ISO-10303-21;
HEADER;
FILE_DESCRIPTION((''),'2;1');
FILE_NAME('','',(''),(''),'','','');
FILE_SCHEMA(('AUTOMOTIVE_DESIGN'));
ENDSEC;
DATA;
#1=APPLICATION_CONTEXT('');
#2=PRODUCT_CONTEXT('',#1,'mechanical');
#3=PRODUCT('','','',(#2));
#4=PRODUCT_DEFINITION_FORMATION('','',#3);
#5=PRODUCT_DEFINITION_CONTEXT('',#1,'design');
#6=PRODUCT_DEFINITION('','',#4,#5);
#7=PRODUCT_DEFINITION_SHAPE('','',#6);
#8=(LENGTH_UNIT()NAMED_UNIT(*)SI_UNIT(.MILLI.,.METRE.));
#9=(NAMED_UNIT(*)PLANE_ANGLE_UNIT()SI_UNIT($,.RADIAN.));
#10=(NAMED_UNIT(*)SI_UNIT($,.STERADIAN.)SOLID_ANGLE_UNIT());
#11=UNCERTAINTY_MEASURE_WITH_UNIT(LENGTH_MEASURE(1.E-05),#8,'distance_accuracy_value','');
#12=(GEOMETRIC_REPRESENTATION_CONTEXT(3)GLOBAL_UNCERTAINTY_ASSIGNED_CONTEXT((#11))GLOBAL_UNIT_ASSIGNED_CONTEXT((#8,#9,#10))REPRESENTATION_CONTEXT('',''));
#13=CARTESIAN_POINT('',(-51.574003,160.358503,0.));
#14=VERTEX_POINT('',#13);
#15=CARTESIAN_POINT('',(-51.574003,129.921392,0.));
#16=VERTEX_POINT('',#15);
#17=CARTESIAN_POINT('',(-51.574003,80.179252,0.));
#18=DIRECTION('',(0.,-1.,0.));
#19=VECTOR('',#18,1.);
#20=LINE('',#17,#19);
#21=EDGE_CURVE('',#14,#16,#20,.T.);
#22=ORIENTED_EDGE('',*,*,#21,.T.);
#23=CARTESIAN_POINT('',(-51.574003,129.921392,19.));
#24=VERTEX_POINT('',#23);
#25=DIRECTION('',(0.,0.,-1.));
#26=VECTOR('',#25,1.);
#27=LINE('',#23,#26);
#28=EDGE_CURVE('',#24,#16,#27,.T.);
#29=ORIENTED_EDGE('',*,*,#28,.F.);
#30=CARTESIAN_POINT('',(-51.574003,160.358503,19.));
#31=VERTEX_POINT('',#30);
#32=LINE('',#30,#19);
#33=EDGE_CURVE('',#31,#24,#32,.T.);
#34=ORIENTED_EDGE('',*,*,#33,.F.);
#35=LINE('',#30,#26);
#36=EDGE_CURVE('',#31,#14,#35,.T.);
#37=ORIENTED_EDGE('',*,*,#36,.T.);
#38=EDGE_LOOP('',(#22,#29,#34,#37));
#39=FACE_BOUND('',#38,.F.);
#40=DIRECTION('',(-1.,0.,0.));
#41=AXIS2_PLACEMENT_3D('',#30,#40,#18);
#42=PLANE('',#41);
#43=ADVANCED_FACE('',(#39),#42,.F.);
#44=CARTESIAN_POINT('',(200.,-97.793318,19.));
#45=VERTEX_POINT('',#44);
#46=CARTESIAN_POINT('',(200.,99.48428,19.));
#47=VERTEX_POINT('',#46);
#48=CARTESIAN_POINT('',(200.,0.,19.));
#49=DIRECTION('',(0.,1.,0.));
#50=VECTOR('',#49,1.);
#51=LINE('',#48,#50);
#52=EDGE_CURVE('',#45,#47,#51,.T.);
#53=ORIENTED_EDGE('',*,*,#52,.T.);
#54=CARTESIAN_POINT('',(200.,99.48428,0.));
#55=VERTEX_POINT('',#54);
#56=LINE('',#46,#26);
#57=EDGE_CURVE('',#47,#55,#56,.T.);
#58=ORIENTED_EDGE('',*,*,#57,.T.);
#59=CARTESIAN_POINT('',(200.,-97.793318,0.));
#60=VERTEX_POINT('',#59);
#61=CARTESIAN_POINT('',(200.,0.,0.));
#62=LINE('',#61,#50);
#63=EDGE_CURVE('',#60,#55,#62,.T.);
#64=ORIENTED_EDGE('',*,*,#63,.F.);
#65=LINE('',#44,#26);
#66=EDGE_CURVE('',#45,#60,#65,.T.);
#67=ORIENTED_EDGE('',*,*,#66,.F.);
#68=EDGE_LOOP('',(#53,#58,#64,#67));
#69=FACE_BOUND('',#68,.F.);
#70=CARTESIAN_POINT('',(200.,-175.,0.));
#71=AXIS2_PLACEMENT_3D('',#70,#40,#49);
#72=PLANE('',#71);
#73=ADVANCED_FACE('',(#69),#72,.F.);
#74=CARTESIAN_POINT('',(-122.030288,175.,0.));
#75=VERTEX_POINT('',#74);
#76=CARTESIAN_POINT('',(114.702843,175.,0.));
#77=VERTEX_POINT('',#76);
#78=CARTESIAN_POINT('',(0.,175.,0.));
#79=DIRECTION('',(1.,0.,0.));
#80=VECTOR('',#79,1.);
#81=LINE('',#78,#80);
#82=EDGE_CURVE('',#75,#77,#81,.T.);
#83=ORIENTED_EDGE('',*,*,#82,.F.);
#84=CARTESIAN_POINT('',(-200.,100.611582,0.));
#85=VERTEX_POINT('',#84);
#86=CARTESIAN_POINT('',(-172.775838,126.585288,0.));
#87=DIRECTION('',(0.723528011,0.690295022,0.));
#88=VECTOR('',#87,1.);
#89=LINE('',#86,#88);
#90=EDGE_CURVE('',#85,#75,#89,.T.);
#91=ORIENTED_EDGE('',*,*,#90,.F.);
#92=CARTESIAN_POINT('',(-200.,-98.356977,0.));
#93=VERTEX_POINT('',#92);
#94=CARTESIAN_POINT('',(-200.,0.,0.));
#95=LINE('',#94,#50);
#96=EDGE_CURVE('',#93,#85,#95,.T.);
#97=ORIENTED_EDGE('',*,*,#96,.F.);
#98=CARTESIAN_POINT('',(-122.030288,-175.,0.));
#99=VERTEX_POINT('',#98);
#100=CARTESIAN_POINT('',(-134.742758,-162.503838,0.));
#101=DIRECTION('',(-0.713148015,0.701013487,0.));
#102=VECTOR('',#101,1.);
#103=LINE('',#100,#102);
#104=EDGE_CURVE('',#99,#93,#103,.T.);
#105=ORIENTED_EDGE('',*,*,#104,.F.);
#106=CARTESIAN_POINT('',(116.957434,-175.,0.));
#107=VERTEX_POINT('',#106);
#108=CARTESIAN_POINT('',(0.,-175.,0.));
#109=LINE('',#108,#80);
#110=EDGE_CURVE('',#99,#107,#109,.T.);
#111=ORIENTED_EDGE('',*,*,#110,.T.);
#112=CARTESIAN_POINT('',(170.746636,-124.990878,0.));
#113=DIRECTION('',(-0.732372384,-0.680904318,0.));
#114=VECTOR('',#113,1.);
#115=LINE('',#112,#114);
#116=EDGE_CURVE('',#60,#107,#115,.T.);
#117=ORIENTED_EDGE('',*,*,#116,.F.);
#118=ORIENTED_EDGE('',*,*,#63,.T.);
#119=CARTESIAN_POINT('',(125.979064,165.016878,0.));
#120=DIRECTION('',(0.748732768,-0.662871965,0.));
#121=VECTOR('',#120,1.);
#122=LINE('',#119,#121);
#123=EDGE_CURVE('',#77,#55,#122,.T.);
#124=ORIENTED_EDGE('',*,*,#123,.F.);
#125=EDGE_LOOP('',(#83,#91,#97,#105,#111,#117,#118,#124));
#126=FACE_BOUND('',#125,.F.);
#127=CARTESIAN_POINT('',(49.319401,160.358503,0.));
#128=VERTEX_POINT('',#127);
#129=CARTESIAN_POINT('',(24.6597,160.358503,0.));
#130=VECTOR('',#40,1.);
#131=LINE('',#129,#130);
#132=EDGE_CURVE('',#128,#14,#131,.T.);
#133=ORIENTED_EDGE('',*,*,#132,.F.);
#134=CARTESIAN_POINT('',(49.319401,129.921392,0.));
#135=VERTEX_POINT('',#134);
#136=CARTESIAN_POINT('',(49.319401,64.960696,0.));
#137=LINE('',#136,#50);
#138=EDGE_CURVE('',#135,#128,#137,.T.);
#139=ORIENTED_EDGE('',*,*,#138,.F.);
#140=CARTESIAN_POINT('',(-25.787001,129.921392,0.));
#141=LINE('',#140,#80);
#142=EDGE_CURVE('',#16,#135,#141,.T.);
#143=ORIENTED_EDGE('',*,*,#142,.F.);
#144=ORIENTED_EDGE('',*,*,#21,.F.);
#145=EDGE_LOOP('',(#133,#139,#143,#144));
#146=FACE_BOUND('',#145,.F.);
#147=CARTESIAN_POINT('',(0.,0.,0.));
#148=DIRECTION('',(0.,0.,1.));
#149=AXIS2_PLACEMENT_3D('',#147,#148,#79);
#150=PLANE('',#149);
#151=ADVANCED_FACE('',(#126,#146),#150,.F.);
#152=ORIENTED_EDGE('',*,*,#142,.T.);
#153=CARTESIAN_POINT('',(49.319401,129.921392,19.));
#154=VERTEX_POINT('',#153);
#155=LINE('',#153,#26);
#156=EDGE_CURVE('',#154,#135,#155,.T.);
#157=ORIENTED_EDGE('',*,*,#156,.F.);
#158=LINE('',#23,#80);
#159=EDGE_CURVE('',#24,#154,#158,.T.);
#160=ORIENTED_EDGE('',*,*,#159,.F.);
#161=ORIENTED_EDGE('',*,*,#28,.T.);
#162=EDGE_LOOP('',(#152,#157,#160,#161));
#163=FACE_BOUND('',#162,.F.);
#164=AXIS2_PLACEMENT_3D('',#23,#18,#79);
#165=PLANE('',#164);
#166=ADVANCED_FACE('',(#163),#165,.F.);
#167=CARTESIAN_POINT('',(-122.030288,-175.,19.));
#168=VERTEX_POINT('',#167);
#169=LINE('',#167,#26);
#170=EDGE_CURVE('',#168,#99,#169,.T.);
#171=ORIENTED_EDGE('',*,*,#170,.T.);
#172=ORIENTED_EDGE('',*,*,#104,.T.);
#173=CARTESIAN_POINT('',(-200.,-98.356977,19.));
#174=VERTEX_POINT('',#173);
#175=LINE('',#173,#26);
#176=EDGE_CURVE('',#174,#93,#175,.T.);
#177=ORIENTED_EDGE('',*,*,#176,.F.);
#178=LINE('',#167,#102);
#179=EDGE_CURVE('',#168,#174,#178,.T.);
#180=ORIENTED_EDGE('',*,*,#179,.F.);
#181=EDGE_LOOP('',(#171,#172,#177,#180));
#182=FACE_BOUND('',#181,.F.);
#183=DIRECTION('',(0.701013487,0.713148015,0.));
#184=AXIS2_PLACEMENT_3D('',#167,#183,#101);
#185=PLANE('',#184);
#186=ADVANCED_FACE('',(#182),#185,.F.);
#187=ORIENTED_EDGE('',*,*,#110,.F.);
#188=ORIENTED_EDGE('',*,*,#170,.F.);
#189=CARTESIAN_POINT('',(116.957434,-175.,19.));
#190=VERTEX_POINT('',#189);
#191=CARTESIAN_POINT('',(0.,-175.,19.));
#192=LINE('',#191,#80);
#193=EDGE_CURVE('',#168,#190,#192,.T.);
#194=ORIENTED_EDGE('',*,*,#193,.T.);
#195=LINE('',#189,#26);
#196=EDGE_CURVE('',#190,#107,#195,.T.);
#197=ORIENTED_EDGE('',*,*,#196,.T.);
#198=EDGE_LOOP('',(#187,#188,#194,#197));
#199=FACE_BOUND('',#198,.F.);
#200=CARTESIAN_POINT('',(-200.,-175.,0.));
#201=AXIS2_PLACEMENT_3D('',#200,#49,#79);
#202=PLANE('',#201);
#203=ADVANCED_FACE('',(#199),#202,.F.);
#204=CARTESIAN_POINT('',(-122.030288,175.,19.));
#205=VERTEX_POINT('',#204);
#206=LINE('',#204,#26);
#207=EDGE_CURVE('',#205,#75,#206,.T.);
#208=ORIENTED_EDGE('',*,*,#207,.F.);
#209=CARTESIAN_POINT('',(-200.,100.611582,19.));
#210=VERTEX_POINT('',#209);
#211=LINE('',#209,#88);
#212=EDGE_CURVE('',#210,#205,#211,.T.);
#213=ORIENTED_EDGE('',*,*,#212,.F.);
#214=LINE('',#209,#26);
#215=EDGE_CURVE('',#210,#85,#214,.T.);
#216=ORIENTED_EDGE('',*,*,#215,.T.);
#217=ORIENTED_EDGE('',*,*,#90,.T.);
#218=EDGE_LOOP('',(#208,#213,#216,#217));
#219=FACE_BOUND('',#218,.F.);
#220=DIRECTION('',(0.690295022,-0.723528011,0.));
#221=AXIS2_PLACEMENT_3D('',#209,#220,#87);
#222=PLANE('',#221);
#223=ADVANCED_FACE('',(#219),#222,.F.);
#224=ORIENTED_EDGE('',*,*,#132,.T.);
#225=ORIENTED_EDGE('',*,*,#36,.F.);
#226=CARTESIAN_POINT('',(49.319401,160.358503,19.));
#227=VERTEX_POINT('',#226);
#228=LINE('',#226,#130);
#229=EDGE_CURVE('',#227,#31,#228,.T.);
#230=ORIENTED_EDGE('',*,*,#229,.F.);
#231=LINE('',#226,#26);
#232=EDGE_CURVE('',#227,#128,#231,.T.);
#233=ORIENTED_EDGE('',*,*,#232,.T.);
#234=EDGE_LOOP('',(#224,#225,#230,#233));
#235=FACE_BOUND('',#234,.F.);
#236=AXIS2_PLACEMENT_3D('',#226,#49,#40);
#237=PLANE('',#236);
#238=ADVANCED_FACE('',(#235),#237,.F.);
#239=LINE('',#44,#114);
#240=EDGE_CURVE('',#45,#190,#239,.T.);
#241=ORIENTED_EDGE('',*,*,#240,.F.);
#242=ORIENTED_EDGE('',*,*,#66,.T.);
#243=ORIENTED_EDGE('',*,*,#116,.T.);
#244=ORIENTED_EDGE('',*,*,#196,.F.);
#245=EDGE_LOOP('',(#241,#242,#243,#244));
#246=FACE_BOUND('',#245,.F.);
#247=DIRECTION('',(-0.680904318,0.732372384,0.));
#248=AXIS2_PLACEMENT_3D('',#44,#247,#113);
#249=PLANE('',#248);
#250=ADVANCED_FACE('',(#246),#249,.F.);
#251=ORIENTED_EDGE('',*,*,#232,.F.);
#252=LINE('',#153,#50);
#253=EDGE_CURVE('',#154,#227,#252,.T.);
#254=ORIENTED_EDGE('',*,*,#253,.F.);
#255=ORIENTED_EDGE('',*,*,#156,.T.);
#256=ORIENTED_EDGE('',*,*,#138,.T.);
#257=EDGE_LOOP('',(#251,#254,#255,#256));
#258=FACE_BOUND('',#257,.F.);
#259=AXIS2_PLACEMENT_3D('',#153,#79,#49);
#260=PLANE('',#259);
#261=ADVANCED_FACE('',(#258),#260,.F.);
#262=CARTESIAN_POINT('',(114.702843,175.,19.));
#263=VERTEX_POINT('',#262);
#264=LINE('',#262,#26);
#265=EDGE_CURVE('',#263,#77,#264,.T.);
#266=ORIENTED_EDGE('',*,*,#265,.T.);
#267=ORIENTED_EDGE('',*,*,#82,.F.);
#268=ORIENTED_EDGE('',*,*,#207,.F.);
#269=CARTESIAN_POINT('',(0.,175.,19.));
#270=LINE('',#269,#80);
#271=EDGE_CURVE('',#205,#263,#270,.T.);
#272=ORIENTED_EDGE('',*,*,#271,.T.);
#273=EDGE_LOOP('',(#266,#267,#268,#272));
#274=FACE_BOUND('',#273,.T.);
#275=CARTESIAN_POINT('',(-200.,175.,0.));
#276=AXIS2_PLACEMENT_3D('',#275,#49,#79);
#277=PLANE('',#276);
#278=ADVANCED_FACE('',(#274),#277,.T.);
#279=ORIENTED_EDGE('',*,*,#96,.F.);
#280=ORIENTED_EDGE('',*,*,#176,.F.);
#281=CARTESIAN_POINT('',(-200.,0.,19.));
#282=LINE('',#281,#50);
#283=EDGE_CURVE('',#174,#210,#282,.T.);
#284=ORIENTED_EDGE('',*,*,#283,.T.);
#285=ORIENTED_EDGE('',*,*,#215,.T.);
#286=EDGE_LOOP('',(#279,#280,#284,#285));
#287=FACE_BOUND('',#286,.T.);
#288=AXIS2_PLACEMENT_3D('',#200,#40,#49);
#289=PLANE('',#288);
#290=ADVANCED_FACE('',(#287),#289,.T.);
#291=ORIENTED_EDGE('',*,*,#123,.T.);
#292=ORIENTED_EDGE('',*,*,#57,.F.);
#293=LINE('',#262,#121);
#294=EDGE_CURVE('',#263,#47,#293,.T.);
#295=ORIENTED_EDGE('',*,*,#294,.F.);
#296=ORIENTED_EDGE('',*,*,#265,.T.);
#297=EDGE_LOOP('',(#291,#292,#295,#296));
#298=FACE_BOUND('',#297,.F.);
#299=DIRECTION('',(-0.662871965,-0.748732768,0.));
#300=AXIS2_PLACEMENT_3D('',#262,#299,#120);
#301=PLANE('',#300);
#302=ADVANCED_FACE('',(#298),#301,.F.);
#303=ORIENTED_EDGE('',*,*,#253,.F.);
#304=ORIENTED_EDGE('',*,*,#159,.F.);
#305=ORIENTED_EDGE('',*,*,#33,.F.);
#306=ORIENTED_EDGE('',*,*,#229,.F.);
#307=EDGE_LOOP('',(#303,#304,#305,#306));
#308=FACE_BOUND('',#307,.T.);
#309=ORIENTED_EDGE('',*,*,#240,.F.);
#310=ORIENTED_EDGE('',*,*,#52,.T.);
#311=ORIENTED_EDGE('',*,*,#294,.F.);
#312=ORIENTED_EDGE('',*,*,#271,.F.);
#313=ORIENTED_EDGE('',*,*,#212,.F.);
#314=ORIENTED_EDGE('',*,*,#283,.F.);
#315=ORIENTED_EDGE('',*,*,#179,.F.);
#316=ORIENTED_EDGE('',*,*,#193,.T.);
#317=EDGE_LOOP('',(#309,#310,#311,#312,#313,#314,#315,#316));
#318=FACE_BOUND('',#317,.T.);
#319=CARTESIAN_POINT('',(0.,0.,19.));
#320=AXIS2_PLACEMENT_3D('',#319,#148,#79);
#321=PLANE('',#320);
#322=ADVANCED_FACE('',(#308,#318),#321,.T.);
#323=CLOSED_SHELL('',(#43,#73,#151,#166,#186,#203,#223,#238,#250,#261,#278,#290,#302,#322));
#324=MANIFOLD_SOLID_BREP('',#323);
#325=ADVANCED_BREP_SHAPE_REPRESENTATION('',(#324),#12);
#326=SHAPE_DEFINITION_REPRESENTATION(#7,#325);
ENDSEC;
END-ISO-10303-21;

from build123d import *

# Parameters (mm, degrees)
F0_W     = 400
F0_H     = 350
F1_DEPTH = 19
F3_DEPTH = 19.001
F5_DEPTH = 19.001


with BuildPart() as f1:
    # F0 (on Top) → F1 (new body)
    with BuildSketch(Plane.XY):
        Rectangle(F0_W, F0_H)
    extrude(amount=F1_DEPTH)

    # F2 (on face) → F3 (cut, through all)
    with BuildSketch(Plane.XY.offset(19)):
        Polygon((-200, 175), (-200, 100.611582), (-122.030288, 175), align=None)
        Polygon((200, 175), (114.702843, 175), (200, 99.48428), align=None)
        Polygon((200, -97.793318), (116.957434, -175), (200, -175), align=None)
        Polygon((-122.030288, -175), (-200, -98.356977), (-200, -175), align=None)
    extrude(amount=-F3_DEPTH, mode=Mode.SUBTRACT)

    # F4 (on face) → F5 (cut, through all)
    with BuildSketch(Plane.XY.offset(19)):
        Polygon((-51.574003, 160.358503), (-51.574003, 129.921392), (49.319401, 129.921392), (49.319401, 160.358503), (39.737348, 160.358503), align=None)
    extrude(amount=-F5_DEPTH, mode=Mode.SUBTRACT)


solid = f1.part
